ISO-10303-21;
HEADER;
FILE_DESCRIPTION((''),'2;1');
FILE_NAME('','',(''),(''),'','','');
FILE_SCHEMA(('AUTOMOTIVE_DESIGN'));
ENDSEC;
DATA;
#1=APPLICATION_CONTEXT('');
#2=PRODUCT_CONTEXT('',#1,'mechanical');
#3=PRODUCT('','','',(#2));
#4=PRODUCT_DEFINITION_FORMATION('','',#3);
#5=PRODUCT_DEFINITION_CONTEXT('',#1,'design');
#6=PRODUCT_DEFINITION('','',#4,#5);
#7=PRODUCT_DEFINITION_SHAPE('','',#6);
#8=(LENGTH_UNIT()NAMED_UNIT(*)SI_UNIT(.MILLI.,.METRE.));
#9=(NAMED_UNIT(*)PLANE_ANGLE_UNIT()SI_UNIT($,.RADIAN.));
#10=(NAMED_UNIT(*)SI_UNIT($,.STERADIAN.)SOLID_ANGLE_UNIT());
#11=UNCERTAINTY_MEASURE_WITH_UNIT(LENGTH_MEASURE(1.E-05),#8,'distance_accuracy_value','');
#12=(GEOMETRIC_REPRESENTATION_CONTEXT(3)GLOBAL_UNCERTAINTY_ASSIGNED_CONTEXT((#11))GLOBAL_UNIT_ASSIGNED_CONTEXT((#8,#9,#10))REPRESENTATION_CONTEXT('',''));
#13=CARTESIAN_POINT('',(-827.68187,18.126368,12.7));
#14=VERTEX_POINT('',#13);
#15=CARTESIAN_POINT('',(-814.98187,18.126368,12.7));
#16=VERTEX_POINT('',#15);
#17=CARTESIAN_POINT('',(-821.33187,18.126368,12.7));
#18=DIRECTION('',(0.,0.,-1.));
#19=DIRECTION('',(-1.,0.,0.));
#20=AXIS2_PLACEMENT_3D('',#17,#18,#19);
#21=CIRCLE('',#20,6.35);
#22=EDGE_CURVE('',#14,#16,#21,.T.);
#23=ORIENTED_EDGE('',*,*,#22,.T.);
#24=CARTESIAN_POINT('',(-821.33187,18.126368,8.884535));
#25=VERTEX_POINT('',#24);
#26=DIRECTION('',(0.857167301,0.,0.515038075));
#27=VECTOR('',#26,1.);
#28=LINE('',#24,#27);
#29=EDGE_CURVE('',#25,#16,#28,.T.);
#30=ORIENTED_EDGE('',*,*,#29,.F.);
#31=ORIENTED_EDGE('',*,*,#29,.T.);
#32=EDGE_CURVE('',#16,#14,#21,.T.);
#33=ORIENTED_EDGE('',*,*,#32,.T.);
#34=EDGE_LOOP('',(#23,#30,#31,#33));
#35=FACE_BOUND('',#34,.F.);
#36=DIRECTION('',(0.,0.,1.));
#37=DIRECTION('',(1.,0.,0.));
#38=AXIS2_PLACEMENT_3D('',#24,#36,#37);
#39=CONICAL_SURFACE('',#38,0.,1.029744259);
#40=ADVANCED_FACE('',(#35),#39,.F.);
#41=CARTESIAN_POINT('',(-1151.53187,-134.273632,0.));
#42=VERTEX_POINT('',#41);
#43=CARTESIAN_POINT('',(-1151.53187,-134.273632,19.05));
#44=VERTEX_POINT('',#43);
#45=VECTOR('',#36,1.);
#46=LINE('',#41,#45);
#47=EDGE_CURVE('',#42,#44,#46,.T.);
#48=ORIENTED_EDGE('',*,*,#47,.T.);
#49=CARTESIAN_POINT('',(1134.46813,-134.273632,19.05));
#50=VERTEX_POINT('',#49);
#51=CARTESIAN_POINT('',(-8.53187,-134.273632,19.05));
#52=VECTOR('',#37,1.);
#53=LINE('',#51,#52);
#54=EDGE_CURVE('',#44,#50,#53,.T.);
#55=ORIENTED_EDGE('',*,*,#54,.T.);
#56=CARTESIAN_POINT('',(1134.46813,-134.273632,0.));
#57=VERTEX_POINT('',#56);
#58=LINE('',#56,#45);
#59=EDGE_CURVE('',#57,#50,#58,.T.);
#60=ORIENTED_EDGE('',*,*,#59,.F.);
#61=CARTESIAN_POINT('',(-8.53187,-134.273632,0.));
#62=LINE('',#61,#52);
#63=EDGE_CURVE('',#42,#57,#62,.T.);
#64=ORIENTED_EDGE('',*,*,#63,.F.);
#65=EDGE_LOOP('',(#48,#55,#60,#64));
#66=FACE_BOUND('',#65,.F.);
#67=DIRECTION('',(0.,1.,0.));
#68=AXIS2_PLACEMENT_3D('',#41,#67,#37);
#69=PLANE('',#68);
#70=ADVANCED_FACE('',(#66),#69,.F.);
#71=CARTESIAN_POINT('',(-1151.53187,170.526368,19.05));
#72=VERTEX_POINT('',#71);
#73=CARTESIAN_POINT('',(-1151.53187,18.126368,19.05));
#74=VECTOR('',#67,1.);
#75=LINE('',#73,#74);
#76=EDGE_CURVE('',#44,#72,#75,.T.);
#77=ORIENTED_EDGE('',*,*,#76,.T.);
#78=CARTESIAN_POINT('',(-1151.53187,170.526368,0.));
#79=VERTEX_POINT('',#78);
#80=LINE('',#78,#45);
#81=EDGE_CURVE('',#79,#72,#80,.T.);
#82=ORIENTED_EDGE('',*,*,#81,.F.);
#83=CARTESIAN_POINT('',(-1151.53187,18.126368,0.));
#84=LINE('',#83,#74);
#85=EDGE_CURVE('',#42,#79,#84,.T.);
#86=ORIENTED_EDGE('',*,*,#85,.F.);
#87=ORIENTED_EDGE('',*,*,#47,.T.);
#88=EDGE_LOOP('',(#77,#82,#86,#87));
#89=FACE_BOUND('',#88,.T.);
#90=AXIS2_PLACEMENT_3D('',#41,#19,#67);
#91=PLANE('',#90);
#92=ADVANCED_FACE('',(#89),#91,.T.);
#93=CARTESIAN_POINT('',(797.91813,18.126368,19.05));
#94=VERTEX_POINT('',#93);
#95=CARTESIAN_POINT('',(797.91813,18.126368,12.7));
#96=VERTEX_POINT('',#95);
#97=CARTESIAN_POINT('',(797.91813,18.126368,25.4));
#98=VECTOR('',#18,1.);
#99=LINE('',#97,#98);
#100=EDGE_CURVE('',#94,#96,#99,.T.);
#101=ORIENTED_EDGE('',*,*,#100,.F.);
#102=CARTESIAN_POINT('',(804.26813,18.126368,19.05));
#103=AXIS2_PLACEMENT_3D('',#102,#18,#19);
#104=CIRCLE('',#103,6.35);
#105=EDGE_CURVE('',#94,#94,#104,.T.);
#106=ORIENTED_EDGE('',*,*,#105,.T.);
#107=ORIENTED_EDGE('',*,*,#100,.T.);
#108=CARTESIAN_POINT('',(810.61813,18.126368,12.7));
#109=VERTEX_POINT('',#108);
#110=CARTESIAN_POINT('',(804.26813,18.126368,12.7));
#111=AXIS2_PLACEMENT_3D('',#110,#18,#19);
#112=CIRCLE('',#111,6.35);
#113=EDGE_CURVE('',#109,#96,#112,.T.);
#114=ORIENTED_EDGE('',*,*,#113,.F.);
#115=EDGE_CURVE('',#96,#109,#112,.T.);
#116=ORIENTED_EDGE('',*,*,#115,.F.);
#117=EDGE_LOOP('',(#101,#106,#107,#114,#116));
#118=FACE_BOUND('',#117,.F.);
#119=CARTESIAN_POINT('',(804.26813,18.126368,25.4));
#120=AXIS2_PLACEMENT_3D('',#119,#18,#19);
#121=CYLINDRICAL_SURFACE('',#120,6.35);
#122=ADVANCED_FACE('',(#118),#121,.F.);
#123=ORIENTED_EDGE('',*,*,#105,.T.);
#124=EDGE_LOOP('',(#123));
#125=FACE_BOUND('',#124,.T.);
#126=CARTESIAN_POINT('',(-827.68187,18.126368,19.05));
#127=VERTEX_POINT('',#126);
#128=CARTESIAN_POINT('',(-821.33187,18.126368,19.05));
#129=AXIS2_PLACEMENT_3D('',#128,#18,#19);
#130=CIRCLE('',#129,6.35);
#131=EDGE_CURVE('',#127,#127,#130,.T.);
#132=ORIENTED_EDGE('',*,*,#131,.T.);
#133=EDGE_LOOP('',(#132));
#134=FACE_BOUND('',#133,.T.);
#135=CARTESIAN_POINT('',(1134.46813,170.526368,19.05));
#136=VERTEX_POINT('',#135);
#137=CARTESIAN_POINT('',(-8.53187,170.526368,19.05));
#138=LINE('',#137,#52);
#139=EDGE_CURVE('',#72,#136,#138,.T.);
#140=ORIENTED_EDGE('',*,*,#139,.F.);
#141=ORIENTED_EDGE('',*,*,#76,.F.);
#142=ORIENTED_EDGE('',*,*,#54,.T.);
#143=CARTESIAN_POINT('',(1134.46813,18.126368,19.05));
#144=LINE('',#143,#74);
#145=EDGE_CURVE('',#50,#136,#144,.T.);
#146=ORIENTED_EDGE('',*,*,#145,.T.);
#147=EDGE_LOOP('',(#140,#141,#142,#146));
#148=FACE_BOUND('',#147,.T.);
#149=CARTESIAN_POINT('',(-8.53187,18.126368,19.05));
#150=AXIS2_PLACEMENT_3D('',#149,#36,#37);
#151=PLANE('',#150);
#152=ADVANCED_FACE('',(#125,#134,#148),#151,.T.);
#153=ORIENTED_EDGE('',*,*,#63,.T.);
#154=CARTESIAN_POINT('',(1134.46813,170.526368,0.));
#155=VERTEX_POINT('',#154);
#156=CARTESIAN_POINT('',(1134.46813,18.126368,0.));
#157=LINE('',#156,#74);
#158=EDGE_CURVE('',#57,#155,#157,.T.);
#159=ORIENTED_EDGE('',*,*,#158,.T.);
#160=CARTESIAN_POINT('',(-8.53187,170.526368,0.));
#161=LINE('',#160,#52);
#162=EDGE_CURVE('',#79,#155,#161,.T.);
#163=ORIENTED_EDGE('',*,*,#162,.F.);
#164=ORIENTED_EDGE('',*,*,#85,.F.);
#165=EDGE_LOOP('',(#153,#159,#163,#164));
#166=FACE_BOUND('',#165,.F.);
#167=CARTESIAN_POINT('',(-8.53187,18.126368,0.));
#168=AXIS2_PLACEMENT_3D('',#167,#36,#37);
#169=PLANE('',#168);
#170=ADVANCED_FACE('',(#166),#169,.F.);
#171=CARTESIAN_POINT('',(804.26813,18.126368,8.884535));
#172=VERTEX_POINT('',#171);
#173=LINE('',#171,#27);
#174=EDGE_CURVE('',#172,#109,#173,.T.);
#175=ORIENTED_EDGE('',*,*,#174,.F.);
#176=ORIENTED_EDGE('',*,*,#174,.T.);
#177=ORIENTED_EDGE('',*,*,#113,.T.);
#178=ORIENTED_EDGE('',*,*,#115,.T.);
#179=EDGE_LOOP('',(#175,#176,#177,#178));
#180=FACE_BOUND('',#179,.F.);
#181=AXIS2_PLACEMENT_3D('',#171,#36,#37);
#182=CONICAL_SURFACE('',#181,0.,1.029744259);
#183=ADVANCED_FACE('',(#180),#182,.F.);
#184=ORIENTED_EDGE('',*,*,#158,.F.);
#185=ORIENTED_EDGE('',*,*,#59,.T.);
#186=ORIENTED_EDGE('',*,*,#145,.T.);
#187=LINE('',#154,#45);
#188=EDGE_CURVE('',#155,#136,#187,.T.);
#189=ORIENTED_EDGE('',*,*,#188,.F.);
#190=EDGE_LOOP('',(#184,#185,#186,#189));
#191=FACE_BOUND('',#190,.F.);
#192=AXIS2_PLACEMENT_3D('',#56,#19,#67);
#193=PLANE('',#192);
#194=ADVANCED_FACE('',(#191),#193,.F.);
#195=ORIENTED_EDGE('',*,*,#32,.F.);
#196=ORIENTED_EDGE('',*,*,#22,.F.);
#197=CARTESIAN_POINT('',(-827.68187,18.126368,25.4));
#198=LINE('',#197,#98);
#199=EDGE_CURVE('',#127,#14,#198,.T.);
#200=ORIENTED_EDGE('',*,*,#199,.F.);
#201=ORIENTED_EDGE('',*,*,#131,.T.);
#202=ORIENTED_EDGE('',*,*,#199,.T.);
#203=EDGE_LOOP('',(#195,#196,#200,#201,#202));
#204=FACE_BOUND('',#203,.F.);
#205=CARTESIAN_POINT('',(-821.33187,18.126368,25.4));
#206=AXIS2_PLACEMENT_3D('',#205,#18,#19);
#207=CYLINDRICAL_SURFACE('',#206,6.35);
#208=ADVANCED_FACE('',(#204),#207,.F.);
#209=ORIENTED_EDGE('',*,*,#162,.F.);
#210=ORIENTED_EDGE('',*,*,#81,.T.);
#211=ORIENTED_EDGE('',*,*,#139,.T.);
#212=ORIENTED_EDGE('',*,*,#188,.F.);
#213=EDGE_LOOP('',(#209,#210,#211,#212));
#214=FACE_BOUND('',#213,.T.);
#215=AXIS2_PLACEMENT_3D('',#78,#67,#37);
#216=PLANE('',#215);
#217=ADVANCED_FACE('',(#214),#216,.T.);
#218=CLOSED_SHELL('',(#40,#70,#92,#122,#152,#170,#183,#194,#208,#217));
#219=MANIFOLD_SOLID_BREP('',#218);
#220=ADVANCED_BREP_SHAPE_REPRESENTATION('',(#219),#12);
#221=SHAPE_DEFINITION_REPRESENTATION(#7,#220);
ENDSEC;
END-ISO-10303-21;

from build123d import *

# Parameters (mm, degrees)
F0_W     = 2286
F0_H     = 304.8
F1_DEPTH = 19.05
F3_D     = 12.7
F3_DEPTH = 6.35
F3_TIP   = 3.8154649308


with BuildPart() as f1:
    # F0 (on Top) → F1 (new body)
    with BuildSketch(Plane.XY):
        with Locations((-8.5318703204, 18.1263682907)):
            Rectangle(F0_W, F0_H)
    extrude(amount=F1_DEPTH)

    # F3
    with Locations(Plane.XY.offset(19.05)):
        with Locations((-821.3318703204, 18.1263682907), (804.2681296796, 18.1263682907)):
            Hole(F3_D / 2, depth=F3_DEPTH)
            with Locations((0, 0, -(F3_DEPTH + F3_TIP / 2))):  # 118° drill point
                Cone(0, F3_D / 2, F3_TIP, mode=Mode.SUBTRACT)


solid = f1.part
